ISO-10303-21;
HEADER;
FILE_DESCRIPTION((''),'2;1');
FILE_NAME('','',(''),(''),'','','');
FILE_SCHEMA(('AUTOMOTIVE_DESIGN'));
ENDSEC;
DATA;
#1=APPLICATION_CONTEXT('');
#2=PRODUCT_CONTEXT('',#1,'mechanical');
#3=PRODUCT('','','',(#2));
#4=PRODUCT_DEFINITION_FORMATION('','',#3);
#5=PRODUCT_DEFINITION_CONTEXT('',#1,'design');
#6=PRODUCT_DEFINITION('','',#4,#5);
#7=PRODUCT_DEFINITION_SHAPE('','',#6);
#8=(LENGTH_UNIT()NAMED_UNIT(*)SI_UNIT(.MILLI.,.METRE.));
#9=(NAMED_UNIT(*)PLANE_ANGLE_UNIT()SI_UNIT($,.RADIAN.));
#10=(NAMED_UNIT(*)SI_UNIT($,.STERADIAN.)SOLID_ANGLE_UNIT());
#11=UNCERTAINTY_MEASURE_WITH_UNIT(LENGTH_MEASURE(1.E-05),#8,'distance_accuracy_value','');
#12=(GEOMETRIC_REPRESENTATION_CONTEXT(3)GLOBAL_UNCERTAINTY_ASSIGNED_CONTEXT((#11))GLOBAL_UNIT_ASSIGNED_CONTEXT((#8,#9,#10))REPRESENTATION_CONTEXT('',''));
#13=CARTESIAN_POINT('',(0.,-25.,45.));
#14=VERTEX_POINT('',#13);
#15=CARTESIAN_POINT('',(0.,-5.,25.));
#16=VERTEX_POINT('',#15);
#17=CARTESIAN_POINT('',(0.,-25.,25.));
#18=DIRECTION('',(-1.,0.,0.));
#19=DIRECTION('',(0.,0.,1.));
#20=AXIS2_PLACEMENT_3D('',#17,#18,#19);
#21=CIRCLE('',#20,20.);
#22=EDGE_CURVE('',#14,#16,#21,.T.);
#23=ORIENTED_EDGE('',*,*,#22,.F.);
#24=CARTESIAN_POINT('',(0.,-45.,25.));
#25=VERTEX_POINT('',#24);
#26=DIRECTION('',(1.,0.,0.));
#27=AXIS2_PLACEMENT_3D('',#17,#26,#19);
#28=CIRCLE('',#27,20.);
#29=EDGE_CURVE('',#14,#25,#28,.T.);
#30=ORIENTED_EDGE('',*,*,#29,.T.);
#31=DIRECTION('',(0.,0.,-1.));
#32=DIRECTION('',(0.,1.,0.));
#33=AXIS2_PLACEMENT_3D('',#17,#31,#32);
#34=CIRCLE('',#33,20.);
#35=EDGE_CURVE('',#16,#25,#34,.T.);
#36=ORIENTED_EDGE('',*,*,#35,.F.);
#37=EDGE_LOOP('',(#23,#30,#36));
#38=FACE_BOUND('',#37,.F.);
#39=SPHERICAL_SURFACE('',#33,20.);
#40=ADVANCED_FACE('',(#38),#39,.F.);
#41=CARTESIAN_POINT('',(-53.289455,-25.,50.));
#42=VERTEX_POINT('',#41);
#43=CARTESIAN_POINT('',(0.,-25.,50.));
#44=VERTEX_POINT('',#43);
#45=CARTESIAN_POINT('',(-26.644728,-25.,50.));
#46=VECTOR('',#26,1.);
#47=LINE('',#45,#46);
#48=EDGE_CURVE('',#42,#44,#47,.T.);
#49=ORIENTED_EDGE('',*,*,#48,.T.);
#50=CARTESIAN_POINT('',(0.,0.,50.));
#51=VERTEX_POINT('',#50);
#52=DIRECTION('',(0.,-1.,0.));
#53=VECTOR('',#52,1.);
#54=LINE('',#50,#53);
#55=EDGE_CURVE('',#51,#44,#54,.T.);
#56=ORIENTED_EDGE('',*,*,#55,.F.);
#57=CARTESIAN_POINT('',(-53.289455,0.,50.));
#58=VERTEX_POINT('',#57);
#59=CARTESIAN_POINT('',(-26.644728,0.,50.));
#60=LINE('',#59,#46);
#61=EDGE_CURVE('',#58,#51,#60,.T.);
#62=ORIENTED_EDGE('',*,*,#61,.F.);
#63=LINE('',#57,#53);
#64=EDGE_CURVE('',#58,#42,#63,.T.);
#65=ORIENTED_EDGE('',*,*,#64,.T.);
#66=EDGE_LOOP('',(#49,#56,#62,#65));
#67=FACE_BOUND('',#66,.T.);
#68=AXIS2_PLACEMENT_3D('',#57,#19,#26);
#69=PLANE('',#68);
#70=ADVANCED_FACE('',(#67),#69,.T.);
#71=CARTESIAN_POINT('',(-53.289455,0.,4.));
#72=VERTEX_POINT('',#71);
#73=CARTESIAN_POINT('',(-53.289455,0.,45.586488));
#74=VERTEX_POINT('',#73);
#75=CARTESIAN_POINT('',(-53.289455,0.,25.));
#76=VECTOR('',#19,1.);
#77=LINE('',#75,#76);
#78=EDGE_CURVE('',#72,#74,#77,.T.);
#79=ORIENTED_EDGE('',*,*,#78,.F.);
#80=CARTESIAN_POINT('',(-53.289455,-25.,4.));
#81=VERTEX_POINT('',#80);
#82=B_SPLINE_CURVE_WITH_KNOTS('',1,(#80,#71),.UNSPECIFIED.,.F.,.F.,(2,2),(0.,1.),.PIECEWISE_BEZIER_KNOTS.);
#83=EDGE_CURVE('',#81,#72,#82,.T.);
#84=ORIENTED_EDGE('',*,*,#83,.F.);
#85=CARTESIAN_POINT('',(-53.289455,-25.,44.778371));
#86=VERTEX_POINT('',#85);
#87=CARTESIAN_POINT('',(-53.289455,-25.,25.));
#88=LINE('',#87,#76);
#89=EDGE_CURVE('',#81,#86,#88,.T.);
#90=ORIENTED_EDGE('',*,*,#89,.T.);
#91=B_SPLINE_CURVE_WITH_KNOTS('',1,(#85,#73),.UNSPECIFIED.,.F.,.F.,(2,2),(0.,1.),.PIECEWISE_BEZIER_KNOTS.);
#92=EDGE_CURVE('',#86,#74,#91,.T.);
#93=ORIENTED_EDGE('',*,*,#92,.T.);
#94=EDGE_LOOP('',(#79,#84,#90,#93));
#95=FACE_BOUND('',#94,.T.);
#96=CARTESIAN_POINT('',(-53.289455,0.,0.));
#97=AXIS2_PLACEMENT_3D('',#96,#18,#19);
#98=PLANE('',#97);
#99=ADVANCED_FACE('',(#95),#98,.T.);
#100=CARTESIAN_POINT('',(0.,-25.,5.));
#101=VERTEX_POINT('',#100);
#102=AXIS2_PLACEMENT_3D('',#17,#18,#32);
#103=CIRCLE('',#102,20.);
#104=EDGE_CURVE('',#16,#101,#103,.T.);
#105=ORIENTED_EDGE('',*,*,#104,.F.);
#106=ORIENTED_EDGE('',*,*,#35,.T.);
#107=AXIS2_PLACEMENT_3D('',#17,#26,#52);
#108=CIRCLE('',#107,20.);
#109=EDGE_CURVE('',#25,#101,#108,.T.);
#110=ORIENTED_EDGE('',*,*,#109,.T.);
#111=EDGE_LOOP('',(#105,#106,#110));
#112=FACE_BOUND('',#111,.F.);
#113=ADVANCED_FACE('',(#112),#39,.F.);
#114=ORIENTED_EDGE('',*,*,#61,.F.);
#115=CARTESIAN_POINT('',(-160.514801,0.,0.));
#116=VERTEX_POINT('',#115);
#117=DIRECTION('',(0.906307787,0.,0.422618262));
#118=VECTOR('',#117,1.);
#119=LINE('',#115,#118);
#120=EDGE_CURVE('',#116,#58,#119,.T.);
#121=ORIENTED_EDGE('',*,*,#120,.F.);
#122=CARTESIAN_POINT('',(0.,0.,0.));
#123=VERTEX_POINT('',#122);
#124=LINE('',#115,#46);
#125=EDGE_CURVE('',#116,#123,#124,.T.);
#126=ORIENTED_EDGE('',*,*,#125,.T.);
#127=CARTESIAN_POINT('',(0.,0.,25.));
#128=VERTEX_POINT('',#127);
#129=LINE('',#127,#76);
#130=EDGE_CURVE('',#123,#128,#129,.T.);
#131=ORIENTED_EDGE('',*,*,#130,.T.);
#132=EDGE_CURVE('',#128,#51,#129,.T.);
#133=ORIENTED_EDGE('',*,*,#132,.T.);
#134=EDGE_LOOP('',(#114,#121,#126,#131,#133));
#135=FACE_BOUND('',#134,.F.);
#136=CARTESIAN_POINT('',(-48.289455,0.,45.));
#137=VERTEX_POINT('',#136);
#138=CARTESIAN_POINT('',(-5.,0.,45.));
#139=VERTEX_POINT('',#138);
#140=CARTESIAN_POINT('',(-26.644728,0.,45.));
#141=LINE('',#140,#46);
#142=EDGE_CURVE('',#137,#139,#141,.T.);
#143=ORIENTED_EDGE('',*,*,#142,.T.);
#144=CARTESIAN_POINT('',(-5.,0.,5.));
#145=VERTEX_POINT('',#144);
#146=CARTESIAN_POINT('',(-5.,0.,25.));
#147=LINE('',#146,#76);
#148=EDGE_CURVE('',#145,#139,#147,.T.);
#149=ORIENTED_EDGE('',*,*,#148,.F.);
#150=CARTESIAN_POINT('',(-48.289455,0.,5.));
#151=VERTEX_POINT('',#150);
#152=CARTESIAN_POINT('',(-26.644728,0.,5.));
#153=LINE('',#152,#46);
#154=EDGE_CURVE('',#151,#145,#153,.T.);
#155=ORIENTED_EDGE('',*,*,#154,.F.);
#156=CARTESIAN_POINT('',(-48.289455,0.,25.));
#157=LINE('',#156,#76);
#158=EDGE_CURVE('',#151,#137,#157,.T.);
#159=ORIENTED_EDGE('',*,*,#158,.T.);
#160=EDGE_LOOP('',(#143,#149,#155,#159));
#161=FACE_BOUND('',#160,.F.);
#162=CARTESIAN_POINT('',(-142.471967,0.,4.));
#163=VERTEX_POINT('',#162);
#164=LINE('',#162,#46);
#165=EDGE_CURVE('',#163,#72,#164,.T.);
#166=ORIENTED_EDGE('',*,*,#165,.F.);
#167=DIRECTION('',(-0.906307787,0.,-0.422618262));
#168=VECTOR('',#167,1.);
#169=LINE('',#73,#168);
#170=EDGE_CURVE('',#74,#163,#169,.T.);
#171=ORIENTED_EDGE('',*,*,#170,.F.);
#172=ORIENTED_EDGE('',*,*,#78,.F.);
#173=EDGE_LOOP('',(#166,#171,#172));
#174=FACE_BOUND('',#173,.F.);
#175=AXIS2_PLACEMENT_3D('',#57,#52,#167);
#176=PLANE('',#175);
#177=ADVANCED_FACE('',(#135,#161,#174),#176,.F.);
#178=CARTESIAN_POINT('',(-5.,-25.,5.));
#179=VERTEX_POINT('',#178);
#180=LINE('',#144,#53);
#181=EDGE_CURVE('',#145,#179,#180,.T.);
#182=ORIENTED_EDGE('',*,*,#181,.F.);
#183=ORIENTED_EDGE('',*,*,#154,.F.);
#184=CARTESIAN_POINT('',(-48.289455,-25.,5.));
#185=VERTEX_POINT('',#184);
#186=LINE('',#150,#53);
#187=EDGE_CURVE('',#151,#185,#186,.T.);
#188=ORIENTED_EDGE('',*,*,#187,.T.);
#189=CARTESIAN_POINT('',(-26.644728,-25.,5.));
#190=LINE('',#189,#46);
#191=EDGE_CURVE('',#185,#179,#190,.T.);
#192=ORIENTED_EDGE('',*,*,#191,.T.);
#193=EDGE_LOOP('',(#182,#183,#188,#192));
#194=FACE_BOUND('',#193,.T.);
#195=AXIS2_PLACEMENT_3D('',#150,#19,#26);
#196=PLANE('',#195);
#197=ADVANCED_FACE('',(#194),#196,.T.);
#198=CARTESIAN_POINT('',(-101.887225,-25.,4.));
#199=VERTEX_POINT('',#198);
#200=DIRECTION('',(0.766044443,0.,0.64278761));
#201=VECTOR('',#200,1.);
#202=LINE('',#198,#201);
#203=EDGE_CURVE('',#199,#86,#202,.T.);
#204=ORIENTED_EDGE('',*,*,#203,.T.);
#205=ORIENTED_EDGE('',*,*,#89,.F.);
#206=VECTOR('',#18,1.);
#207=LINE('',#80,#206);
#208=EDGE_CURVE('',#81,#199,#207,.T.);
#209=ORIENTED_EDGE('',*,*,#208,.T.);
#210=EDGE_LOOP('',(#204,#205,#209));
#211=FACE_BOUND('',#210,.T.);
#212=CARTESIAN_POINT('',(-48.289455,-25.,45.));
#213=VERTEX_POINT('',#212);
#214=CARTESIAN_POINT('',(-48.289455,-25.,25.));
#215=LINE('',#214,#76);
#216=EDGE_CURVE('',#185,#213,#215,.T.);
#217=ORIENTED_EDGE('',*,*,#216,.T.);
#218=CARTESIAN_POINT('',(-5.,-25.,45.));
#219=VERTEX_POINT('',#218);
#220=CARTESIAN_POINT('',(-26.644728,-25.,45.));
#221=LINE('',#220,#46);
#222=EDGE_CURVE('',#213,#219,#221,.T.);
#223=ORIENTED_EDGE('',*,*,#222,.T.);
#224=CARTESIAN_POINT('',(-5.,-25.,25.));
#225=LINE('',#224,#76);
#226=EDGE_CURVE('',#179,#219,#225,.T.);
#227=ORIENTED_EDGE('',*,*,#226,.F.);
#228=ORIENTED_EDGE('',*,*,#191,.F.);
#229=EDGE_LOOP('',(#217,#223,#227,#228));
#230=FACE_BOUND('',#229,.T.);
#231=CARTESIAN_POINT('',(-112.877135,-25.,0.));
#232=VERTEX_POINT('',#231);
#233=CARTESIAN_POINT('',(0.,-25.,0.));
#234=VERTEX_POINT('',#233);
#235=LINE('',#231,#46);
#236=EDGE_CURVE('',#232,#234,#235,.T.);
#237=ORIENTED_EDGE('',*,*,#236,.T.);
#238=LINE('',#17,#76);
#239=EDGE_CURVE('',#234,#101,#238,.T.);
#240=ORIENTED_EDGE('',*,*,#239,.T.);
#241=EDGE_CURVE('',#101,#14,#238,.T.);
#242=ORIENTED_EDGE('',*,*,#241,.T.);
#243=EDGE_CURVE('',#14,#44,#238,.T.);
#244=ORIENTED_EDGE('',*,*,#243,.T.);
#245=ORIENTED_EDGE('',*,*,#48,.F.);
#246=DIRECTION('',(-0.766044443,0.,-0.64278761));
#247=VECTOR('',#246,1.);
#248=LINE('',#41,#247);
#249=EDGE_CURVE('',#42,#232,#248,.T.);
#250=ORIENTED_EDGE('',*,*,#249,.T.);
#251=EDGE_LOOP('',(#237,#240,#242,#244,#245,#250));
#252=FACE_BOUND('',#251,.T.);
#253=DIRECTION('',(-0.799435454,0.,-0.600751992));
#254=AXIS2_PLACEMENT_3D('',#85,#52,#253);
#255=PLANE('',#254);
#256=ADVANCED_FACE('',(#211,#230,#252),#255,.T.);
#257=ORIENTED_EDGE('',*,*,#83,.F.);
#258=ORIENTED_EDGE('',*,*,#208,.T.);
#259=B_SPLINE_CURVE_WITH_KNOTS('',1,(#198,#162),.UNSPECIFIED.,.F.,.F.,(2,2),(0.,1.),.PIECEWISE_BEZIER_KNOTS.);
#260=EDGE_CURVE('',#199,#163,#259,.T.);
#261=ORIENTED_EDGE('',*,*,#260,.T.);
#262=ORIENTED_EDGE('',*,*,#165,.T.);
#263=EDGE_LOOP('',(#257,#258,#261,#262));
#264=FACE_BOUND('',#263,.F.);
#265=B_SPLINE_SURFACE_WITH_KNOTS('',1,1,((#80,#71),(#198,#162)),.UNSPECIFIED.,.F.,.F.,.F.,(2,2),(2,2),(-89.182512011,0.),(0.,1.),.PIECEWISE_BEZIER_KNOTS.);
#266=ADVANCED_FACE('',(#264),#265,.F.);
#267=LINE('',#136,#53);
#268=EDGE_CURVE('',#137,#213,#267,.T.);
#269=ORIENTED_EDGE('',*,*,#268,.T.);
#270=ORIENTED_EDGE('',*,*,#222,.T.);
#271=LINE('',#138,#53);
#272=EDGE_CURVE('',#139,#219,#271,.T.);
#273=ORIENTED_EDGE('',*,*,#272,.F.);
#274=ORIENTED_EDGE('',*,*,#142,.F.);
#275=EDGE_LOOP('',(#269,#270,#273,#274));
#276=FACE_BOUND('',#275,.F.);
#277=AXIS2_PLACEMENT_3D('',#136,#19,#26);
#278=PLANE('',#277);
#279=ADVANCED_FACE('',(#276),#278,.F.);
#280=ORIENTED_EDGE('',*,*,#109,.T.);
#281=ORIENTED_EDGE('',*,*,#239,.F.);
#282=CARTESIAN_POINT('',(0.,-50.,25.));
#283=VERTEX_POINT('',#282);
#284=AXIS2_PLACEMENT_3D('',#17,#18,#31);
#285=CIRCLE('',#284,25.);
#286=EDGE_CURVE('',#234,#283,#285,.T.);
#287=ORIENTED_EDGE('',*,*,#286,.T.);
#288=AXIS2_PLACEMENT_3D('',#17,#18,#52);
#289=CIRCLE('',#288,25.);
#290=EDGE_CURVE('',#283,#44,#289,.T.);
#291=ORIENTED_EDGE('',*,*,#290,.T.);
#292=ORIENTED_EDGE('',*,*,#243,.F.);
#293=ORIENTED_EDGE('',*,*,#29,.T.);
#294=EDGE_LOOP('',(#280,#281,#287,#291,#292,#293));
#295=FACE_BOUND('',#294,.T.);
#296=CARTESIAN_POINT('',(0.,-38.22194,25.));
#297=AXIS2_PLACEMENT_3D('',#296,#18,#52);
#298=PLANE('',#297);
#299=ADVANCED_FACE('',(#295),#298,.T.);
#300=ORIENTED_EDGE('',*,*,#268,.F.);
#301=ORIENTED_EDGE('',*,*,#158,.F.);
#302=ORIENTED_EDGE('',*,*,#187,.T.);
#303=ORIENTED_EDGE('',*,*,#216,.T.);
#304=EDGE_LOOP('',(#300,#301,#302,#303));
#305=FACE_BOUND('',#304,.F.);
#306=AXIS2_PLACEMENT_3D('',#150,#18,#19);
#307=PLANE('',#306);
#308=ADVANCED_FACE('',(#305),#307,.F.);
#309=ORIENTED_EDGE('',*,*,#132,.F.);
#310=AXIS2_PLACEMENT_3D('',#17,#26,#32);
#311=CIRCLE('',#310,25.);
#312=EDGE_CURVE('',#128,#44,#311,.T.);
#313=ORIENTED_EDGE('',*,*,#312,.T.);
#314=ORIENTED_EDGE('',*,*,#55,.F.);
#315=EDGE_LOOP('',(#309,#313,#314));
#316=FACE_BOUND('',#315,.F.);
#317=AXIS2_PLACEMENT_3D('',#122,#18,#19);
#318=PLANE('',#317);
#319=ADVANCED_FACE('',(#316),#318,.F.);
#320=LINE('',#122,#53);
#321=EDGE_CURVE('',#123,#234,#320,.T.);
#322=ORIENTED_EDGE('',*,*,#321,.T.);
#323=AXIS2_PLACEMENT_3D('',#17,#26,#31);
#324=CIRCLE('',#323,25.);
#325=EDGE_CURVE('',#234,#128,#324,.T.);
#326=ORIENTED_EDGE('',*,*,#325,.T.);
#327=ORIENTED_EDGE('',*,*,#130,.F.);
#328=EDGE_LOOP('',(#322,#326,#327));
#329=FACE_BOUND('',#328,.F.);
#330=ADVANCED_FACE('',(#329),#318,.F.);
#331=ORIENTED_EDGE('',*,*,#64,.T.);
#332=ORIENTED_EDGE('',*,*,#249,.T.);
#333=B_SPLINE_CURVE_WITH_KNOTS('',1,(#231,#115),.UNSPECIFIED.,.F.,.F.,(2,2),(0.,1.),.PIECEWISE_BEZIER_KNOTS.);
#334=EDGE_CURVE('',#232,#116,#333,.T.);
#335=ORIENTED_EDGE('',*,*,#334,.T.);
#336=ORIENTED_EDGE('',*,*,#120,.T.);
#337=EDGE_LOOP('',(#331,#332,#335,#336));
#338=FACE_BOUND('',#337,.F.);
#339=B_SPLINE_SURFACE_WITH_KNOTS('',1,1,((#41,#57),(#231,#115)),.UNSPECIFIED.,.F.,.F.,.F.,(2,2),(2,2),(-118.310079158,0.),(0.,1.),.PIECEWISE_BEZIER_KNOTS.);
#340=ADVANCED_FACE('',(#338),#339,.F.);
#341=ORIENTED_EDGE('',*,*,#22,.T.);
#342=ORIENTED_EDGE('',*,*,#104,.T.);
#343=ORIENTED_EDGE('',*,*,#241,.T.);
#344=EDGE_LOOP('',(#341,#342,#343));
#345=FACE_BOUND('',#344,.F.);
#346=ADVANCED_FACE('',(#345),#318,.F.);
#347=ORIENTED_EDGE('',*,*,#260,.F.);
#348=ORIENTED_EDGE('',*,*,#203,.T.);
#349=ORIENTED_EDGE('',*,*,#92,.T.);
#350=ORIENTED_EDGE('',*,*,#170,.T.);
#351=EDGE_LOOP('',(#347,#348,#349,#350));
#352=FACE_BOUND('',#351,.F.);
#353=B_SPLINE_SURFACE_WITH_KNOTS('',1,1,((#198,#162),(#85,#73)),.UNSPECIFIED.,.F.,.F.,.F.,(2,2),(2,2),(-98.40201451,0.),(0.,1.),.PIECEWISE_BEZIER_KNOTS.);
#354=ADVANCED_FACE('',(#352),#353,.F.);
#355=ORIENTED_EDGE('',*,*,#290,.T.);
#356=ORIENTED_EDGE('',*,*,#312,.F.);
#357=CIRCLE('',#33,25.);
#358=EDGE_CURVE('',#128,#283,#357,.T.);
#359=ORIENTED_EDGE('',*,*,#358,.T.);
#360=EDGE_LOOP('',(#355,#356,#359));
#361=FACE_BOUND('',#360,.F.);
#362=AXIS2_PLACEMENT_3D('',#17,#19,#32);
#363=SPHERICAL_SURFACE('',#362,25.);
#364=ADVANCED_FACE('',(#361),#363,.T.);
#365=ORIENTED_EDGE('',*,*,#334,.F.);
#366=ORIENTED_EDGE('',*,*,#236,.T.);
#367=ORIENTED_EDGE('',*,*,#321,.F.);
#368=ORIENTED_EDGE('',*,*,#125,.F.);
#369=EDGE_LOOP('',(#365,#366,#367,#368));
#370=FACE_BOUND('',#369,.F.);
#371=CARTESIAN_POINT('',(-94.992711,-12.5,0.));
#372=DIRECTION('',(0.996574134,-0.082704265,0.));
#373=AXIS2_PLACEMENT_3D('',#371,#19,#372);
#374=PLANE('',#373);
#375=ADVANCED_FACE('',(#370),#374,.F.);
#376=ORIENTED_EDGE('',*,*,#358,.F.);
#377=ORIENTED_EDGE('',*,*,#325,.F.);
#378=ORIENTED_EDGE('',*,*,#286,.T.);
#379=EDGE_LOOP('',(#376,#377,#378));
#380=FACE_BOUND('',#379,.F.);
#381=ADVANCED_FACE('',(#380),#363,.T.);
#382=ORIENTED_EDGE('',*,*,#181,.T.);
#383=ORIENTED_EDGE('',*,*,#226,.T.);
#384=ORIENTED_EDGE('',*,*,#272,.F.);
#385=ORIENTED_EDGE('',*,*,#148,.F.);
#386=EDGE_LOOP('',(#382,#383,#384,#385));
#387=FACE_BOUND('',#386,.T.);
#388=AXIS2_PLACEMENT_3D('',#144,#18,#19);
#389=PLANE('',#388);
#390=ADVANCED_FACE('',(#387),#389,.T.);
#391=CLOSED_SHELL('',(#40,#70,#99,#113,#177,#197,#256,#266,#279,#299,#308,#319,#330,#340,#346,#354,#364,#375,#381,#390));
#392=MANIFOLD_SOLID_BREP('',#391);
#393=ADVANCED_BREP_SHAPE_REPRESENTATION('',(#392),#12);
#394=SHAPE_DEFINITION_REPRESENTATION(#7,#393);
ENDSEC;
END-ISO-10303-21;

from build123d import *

# Parameters (mm, degrees)
F0_W          = 53.2894550107
F0_H          = 50
F0_W_2        = 43.2894550107
F0_H_2        = 40
F1_DEPTH      = 25
F3_ANGLE_BACK = 90
F3_ANGLE      = 180


with BuildPart() as f1:
    # F0 (on Front) → F1 (new body)
    with BuildSketch(Plane.XZ):
        with Locations((-26.6447275054, 25)):
            Rectangle(F0_W, F0_H)
        with Locations((-26.6447275054, 25)):
            Rectangle(F0_W_2, F0_H_2, mode=Mode.SUBTRACT)
    extrude(amount=F1_DEPTH)

    # F2 (on face) → F3 (revolve)
    with BuildSketch(Plane.XZ.offset(25), mode=Mode.PRIVATE) as f3_sk:
        with BuildLine():
            ThreePointArc((0, 0), (17.6776695297, 7.3223304703), (25, 25))
            ThreePointArc((25, 25), (17.6776695297, 42.6776695297), (0, 50))
            Line((0, 50), (0, 45))
            ThreePointArc((0, 45), (14.1421356237, 39.1421356237), (20, 25))
            ThreePointArc((20, 25), (14.1421356237, 10.8578643763), (0, 5))
            Line((0, 5), (0, 0))
        make_face()
    revolve(f3_sk.sketch.rotate(Axis((0, -25, 25), (0, 0, -1)), -F3_ANGLE_BACK), axis=Axis((0, -25, 25), (0, 0, -1)), revolution_arc=F3_ANGLE)

    # F2 (on face) → F5 section 0
    with BuildSketch(Plane.XZ.offset(25)):
        Polygon((-53.2894550107, 44.7783708427), (-53.2894550107, 50), (-112.8771346405, 0), (-53.2894550107, 0), (-53.2894550107, 4), (-101.8872249626, 4), align=None)
    # F4 (on face) → F5 section 1
    with BuildSketch(Plane(origin=(0, 0, 0), x_dir=(-1, 0, 0), z_dir=(0, 1, 0))):
        Polygon((160.5148010362, 0), (53.2894550107, 50), (53.2894550107, 45.5864883242), (142.4719670216, 4), (53.2894550107, 4), (53.2894550107, 0), align=None)
    loft()


solid = f1.part
